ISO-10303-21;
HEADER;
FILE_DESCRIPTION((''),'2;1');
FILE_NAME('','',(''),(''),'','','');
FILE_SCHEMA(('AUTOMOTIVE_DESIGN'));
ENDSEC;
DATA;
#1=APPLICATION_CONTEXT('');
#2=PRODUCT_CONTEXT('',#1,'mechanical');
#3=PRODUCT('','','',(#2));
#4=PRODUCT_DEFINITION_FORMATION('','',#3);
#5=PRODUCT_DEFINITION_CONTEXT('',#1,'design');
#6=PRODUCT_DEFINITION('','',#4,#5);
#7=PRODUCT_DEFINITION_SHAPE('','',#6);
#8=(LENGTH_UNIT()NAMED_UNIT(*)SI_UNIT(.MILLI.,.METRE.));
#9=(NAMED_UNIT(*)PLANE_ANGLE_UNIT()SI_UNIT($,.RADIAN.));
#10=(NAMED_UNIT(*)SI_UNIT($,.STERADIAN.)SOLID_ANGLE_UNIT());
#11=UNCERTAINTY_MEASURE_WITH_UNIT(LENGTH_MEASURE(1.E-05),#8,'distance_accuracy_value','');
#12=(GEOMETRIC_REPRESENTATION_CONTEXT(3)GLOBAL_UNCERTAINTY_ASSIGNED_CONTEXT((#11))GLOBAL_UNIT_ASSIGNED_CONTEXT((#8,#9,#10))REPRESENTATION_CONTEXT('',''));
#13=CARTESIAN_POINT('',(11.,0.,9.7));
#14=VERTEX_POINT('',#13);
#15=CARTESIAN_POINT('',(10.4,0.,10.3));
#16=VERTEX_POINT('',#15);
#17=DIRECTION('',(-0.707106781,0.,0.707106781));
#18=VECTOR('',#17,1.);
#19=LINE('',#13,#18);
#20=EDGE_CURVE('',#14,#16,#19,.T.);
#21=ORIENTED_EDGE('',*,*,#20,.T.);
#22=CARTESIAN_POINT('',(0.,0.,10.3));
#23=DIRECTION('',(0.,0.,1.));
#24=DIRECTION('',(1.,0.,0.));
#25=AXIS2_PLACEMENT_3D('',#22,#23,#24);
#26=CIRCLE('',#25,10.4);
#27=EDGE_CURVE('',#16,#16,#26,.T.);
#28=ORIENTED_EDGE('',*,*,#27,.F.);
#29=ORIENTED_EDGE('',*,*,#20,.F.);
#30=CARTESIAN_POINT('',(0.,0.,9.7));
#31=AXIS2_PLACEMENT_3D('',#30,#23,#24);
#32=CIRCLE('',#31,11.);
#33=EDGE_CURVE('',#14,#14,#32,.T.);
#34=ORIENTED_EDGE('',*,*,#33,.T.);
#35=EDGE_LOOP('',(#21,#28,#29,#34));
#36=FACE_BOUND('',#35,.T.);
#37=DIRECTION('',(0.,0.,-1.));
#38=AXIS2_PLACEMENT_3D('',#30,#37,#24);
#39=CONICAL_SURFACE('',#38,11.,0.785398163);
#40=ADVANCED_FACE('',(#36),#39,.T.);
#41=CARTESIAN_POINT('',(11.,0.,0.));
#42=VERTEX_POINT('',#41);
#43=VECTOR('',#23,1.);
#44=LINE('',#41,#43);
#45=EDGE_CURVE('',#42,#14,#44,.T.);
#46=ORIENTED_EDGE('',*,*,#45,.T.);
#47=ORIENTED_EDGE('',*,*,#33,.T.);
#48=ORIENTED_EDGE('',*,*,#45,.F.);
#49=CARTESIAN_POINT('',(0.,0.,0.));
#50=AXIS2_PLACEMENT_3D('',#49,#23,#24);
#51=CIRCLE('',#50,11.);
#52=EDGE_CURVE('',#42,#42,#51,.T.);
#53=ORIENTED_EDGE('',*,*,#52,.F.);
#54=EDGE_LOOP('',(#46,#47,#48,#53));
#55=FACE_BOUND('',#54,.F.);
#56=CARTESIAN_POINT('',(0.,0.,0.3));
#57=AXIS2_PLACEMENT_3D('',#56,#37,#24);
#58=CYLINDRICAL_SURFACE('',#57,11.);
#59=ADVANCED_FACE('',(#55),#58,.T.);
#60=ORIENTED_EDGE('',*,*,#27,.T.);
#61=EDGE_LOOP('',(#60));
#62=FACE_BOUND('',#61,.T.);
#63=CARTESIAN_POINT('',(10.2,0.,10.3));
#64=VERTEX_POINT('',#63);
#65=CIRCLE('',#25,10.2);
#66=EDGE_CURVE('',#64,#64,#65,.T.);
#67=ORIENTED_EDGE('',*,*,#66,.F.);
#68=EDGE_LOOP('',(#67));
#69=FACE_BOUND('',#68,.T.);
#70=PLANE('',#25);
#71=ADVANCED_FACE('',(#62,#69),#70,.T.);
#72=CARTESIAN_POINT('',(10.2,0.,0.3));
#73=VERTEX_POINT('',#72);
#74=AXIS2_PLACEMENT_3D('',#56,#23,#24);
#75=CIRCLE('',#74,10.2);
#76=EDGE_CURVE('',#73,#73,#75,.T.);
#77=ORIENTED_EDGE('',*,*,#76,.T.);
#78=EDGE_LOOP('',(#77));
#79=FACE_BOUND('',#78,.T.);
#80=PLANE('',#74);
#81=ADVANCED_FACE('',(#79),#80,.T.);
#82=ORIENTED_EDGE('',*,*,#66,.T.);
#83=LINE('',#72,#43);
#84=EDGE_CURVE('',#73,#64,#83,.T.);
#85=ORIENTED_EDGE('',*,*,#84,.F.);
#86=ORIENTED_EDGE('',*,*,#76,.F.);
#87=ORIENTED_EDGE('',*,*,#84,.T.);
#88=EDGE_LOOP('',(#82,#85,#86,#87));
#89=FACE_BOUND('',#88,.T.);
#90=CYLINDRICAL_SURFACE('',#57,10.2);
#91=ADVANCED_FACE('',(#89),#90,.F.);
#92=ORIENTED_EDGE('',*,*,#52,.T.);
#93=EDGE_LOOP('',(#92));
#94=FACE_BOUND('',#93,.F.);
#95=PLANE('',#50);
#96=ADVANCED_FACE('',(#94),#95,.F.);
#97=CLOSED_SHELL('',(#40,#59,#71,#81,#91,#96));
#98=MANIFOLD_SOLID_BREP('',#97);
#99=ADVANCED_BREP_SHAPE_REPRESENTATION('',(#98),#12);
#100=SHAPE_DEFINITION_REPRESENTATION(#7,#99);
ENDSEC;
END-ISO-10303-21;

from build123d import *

# Parameters (mm, degrees)
SKETCH_R      = 11
PAD_DEPTH     = 0.3
SKETCH001_R   = 11
SKETCH001_R_2 = 10.2
PAD001_DEPTH  = 10
CHAMFER_SIZE  = 0.6


with BuildPart() as part:
    # Sketch → Pad (new body)
    with BuildSketch(Plane.XY):
        Circle(SKETCH_R)
    extrude(amount=PAD_DEPTH)

    # Sketch001 (on Face3 of Pad) → Pad001 (join)
    with BuildSketch(Plane.XY.offset(0.3)):
        Circle(SKETCH001_R)
        Circle(SKETCH001_R_2, mode=Mode.SUBTRACT)
    extrude(amount=PAD001_DEPTH)

    # Chamfer
    chamfer_edges = [part.edges().sort_by_distance(p)[0] for p in [
        (-11, 0, 10.3),
    ]]
    chamfer(chamfer_edges, length=CHAMFER_SIZE)


solid = part.part
